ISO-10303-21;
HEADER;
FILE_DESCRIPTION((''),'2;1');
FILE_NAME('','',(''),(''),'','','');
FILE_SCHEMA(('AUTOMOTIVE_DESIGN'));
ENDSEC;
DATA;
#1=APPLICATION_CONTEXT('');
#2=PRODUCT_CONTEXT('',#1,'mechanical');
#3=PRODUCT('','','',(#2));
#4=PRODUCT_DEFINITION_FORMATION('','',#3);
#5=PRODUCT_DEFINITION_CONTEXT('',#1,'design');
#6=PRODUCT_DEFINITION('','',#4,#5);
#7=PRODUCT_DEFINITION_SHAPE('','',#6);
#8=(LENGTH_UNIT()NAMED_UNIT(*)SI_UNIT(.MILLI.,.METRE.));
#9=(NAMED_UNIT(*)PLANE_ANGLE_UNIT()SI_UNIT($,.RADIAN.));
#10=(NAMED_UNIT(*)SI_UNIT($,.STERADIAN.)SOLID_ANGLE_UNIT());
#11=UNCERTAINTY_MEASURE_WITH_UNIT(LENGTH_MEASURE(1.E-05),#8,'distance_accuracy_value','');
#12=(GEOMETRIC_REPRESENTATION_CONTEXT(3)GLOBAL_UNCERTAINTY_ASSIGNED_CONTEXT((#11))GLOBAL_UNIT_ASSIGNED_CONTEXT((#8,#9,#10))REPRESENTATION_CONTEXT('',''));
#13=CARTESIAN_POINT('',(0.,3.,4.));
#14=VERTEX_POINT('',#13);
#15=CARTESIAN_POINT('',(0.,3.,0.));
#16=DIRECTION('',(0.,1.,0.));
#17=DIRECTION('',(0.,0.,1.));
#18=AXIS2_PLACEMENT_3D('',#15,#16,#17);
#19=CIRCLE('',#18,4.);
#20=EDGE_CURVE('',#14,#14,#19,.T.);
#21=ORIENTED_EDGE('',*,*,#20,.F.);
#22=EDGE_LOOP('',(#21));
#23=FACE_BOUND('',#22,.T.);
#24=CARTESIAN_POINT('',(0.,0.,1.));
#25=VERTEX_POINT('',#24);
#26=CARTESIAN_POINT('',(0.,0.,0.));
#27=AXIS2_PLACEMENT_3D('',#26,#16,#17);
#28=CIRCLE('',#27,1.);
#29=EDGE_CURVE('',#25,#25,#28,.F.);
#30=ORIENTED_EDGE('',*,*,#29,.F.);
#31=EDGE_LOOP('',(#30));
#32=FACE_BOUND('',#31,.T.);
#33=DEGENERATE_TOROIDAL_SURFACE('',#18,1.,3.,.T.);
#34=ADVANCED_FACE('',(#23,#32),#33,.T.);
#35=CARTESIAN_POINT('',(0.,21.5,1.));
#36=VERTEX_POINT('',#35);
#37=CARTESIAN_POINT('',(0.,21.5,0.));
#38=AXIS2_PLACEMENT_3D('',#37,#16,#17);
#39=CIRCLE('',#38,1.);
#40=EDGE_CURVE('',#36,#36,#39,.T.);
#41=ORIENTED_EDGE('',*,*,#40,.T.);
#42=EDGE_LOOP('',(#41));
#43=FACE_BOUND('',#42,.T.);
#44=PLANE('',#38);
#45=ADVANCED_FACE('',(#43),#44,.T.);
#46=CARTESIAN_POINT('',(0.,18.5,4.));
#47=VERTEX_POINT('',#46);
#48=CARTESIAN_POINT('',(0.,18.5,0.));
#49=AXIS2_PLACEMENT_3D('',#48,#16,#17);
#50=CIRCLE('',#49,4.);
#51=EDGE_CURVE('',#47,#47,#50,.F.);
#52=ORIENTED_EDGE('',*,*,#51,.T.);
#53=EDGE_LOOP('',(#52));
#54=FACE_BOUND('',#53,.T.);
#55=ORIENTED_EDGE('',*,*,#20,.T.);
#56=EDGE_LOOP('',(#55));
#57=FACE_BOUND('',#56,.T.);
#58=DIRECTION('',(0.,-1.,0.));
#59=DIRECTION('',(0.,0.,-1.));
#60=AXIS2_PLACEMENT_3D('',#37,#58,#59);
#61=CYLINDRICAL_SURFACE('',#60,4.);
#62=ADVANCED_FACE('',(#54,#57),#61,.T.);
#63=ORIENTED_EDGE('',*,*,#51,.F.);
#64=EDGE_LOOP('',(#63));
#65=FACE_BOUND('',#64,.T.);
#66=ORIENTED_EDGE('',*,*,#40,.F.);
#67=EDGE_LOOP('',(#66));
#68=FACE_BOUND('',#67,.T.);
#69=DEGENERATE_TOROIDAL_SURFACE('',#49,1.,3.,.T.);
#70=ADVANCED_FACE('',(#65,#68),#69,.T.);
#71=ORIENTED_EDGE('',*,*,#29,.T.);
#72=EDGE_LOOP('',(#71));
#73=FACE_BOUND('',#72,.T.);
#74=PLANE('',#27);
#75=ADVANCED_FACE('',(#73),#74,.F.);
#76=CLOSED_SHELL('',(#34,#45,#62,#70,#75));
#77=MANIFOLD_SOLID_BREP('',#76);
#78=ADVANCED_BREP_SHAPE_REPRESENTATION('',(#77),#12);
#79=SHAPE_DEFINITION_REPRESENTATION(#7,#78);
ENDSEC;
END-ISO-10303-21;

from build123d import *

# Parameters (mm, degrees)
CROQUIS1_R              = 4
SALIENTE_EXTRUIR1_DEPTH = 21.5
REDONDEO1_R             = 3


with BuildPart() as part:
    # Croquis1 → Saliente-Extruir1 (new body)
    with BuildSketch(Plane(origin=(0, 0, 0), x_dir=(1, 0, 0), z_dir=(0, 1, 0))):
        Circle(CROQUIS1_R)
    extrude(amount=SALIENTE_EXTRUIR1_DEPTH)

    # Redondeo1
    redondeo1_edges = [part.edges().sort_by_distance(p)[0] for p in [
        (-4, 0, 0),
        (-4, 21.5, 0),
    ]]
    fillet(redondeo1_edges, radius=REDONDEO1_R)


solid = part.part
